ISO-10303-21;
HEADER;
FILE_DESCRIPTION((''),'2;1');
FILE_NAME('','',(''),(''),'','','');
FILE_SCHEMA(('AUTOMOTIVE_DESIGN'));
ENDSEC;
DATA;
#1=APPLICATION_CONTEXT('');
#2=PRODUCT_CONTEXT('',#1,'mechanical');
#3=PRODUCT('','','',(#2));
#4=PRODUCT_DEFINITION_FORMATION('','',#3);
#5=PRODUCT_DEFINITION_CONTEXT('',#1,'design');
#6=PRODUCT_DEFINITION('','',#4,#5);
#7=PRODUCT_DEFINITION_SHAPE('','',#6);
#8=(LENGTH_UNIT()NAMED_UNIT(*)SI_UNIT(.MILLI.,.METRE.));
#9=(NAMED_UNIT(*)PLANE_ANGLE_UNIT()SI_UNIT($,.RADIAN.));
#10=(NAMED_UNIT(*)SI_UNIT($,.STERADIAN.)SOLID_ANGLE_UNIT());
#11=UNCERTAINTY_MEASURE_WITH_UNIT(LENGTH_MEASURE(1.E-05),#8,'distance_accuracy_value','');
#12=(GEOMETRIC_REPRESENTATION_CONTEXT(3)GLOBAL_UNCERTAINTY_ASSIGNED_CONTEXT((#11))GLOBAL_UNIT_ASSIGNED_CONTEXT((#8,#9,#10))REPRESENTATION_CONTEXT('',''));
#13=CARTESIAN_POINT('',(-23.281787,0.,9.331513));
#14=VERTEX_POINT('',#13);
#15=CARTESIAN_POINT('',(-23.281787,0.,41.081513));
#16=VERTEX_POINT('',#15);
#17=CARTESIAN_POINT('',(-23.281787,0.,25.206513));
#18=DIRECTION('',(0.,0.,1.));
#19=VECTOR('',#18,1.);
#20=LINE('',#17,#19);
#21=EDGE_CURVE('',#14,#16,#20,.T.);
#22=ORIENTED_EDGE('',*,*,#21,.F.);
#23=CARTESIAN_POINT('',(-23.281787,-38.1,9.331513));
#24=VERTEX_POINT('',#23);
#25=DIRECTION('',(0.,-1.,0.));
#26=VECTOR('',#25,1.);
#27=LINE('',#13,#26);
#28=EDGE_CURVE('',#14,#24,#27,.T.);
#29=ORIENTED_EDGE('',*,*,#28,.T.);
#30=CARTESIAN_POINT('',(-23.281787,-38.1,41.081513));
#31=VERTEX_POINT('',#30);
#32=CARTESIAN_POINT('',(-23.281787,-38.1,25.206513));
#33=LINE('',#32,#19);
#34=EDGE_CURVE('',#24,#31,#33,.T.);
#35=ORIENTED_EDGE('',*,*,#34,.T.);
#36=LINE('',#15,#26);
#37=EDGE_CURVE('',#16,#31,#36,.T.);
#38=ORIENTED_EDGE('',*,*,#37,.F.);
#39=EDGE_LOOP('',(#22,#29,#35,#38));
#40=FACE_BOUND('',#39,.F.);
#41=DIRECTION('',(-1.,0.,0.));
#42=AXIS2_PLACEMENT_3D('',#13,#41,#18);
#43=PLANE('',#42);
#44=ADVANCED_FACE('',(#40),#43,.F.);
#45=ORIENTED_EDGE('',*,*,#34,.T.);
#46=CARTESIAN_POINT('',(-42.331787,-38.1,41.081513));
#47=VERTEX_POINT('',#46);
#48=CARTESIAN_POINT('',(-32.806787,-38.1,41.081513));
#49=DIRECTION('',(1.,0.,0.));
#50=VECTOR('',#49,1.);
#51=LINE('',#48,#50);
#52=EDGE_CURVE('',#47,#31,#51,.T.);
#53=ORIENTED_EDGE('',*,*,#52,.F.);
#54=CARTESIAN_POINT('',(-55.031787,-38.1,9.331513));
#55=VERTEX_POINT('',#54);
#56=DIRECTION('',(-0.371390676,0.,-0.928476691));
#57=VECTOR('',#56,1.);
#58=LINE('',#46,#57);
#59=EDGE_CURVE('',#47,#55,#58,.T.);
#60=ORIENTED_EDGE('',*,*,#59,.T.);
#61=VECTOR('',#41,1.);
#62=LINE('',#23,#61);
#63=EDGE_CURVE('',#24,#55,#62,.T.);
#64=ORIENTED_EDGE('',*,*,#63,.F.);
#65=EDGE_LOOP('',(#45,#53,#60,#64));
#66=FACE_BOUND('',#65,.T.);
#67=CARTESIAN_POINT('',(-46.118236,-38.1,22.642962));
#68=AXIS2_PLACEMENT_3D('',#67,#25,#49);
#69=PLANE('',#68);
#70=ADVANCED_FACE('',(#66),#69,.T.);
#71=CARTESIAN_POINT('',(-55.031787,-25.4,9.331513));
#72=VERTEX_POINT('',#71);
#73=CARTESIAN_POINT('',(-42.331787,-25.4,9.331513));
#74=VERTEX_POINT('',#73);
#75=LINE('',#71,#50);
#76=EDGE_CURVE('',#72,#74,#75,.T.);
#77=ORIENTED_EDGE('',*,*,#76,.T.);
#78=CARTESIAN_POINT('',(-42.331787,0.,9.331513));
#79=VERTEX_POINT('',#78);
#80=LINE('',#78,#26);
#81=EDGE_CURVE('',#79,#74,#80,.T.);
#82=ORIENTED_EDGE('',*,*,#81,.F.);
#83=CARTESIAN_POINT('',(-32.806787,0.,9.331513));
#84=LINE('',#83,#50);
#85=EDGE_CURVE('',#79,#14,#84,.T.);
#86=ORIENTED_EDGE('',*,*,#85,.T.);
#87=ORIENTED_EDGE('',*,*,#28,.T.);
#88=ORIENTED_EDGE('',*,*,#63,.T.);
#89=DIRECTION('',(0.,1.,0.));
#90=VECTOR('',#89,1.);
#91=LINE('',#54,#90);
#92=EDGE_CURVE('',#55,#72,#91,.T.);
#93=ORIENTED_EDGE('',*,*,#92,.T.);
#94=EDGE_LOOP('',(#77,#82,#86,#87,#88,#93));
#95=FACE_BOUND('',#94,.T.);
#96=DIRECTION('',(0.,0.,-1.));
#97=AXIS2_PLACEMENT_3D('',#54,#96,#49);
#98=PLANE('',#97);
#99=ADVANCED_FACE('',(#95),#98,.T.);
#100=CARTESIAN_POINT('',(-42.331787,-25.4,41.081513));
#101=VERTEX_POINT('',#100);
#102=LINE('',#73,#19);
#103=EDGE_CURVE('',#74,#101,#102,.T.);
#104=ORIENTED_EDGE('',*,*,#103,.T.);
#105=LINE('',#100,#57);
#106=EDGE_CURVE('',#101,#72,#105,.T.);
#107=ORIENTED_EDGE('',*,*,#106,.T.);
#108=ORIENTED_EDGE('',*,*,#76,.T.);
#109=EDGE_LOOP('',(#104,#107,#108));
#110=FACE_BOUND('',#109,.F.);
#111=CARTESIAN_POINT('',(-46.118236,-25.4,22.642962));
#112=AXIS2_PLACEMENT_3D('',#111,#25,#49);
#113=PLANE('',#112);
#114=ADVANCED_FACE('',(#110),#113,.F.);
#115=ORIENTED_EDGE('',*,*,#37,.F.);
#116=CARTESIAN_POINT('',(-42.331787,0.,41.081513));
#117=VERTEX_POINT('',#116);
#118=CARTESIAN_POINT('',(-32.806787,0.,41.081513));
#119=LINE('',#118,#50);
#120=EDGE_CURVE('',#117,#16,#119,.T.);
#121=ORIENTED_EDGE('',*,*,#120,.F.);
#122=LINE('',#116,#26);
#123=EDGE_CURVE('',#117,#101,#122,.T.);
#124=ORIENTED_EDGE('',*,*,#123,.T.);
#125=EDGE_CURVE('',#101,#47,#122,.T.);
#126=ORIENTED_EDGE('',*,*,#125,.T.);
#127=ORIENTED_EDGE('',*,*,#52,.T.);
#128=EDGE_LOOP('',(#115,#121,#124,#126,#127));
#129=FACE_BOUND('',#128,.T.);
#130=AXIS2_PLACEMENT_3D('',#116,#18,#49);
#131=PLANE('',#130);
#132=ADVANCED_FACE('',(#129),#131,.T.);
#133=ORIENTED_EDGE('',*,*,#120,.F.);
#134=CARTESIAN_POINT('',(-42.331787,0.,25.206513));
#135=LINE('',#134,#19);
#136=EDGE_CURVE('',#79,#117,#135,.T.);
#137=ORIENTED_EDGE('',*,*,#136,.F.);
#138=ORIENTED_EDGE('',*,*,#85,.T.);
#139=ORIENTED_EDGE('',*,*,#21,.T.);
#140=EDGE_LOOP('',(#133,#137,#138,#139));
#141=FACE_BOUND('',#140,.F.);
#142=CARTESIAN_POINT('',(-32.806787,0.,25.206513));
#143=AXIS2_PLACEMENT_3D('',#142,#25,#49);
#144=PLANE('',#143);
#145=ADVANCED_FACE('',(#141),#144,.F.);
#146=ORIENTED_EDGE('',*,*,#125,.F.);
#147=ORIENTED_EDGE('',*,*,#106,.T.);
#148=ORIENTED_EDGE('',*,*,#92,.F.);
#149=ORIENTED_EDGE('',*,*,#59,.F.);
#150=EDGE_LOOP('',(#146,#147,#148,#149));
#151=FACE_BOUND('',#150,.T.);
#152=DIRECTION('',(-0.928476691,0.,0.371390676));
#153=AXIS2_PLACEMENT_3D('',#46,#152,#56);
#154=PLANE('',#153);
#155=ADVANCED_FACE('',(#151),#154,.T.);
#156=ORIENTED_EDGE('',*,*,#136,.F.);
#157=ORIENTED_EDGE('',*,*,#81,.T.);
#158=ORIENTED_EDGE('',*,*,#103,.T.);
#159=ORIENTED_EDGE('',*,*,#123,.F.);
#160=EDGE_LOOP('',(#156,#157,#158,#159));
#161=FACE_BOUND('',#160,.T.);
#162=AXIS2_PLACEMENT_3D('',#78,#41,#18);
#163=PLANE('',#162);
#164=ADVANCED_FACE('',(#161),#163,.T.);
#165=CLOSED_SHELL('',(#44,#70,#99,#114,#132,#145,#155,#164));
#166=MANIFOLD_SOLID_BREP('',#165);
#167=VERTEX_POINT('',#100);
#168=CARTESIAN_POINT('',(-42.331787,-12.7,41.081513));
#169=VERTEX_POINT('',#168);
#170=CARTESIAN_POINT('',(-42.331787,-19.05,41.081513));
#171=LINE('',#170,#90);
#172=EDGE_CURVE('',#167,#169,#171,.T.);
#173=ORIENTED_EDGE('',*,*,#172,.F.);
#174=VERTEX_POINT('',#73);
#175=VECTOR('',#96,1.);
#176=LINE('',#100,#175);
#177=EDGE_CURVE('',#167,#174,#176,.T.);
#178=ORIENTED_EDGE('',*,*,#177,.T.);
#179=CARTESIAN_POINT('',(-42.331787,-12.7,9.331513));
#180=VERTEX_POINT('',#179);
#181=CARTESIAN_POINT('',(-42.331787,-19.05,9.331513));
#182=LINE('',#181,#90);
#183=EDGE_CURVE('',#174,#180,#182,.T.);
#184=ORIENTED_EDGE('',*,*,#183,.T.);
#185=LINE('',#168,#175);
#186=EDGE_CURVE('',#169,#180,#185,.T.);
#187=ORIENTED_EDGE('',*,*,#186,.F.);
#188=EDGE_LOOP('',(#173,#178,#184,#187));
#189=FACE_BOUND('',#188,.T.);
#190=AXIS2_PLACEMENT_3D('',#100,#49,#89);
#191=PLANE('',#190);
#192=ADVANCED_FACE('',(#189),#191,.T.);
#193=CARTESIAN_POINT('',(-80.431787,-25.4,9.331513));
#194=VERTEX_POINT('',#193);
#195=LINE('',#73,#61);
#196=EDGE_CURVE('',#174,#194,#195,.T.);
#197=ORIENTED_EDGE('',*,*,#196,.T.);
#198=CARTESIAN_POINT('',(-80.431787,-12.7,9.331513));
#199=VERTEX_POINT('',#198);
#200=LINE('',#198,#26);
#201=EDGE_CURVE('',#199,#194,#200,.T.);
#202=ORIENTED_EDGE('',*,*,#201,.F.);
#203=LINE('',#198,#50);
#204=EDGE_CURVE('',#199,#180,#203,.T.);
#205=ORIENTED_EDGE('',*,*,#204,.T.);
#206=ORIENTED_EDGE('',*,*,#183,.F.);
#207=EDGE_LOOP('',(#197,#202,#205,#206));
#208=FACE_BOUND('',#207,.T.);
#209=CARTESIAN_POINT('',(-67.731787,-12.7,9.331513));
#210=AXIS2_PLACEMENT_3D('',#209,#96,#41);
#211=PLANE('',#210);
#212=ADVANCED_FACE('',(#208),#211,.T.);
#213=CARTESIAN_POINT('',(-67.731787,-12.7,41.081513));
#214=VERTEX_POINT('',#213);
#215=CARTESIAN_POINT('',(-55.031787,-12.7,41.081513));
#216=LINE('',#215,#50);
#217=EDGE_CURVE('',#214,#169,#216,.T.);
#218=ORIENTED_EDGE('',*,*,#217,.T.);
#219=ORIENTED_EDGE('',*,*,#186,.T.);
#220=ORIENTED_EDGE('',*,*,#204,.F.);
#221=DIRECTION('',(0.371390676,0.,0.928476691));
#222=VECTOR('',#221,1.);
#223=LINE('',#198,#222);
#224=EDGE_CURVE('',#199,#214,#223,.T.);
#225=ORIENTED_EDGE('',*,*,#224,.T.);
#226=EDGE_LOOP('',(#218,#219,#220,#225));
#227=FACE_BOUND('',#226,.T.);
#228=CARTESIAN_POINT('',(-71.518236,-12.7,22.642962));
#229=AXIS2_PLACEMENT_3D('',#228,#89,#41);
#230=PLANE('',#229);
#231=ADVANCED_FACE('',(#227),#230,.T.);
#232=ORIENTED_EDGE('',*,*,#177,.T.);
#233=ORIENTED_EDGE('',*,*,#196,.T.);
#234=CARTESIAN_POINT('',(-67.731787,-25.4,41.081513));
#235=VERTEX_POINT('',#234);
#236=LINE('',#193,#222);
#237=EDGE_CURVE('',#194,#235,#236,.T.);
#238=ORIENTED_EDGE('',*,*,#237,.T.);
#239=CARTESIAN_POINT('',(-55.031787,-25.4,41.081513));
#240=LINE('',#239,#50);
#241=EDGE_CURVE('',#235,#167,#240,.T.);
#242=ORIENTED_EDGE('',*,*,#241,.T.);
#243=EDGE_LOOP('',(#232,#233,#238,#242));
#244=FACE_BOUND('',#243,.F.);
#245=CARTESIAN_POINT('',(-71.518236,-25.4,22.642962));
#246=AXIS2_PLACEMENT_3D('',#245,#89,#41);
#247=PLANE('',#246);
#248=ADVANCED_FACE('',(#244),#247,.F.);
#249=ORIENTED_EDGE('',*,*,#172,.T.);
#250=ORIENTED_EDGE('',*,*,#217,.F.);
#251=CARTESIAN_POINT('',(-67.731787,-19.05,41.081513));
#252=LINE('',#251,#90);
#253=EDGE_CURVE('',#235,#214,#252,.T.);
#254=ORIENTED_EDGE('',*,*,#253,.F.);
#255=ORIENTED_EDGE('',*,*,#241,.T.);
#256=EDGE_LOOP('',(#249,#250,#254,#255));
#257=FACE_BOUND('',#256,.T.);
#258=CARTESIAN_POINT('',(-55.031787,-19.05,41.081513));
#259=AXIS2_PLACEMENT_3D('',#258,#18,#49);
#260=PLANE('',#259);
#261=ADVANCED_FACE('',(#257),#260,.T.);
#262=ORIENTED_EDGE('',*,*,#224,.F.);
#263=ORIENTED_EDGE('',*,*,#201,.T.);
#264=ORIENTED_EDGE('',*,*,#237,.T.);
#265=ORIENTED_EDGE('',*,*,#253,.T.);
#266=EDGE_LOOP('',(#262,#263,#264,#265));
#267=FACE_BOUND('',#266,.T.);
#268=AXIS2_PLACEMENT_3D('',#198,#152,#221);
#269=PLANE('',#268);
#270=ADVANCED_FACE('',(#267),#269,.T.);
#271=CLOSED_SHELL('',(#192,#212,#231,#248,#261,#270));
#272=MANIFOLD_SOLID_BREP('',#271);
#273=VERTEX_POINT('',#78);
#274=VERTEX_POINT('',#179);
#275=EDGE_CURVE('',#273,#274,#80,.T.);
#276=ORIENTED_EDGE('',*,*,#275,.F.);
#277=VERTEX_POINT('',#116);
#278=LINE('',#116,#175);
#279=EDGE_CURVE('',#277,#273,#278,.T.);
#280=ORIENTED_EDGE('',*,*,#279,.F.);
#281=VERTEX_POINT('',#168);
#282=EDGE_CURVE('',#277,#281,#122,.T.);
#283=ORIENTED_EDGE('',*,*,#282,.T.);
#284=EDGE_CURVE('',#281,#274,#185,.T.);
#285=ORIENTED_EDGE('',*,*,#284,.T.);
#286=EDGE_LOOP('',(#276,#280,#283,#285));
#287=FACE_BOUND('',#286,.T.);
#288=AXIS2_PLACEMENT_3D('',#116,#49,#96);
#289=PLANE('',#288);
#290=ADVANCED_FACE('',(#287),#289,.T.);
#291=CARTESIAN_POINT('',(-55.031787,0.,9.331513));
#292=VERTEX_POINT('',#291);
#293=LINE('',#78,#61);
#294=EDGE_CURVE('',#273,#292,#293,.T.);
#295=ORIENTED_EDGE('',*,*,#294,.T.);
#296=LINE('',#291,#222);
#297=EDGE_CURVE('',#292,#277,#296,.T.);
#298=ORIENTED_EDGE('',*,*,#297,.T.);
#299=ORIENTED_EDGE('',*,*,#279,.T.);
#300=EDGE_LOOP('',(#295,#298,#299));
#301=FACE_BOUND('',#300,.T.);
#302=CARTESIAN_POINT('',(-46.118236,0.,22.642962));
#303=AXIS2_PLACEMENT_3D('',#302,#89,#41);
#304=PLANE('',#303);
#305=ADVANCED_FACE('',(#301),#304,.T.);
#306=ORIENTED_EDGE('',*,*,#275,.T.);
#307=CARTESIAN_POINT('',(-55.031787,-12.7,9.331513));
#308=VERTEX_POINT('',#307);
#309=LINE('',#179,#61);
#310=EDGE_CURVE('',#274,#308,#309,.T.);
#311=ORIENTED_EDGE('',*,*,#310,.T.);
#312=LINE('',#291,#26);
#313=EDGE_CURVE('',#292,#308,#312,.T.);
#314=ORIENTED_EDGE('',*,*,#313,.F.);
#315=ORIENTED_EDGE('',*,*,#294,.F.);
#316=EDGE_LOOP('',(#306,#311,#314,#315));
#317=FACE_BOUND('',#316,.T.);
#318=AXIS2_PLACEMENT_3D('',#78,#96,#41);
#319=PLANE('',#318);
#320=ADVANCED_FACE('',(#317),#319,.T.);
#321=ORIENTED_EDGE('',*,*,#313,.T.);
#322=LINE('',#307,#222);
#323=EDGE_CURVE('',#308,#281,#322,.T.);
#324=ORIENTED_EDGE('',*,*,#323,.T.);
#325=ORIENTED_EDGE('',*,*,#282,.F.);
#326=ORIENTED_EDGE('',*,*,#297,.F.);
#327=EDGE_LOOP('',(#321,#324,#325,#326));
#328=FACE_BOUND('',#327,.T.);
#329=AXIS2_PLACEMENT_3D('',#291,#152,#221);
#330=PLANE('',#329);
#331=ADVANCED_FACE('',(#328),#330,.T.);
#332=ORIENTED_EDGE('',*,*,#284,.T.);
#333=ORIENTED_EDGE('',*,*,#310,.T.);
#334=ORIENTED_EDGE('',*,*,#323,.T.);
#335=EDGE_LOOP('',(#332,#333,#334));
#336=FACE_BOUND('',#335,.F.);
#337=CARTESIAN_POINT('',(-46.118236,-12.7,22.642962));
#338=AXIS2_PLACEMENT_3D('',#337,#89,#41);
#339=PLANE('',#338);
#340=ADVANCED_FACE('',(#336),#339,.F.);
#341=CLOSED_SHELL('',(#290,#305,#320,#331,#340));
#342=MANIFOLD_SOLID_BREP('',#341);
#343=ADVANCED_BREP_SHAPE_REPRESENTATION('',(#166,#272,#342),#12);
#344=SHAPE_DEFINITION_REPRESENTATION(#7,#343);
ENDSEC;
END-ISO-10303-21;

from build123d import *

# Parameters (mm, degrees)
F0_W     = 19.05
F0_H     = 31.75
F1_DEPTH = 38.1
F3_DEPTH = 12.7
F5_DEPTH = 12.7
F6_W     = 25.4
F6_H     = 12.7
F7_DEPTH = 31.75
F9_DEPTH = 12.7


with BuildPart() as f1:
    # F0 (on Front) → F1 (new body)
    with BuildSketch(Plane.XZ):
        with Locations((-32.806787, 25.206513)):
            Rectangle(F0_W, F0_H)
    extrude(amount=F1_DEPTH)

    # F4 (on face) → F5 (join)
    with BuildSketch(Plane.XZ.offset(38.1)):
        Polygon((-42.331787, 9.331513), (-42.331787, 41.081513), (-55.031787, 9.331513), align=None)
    extrude(amount=-F5_DEPTH)


with BuildPart() as f3:
    # F2 (on face) → F3 (new body)
    with BuildSketch(Plane(origin=(0, 0, 0), x_dir=(-1, 0, 0), z_dir=(0, 1, 0))):
        Polygon((42.331787, 41.081513), (42.331787, 9.331513), (55.031787, 9.331513), align=None)
    extrude(amount=-F3_DEPTH)


with BuildPart() as f7:
    # F6 (on face) → F7 (new body)
    with BuildSketch(Plane.XY.offset(41.081513)):
        with Locations((-55.031787, -19.05)):
            Rectangle(F6_W, F6_H)
    extrude(amount=-F7_DEPTH)

    # F8 (on face) → F9 (join)
    with BuildSketch(Plane(origin=(0, -12.7, 0), x_dir=(-1, 0, 0), z_dir=(0, 1, 0))):
        Polygon((80.431787, 9.331513), (67.731787, 41.081513), (67.731787, 9.331513), align=None)
    extrude(amount=-F9_DEPTH)


solid = Compound([f1.part, f3.part, f7.part])
